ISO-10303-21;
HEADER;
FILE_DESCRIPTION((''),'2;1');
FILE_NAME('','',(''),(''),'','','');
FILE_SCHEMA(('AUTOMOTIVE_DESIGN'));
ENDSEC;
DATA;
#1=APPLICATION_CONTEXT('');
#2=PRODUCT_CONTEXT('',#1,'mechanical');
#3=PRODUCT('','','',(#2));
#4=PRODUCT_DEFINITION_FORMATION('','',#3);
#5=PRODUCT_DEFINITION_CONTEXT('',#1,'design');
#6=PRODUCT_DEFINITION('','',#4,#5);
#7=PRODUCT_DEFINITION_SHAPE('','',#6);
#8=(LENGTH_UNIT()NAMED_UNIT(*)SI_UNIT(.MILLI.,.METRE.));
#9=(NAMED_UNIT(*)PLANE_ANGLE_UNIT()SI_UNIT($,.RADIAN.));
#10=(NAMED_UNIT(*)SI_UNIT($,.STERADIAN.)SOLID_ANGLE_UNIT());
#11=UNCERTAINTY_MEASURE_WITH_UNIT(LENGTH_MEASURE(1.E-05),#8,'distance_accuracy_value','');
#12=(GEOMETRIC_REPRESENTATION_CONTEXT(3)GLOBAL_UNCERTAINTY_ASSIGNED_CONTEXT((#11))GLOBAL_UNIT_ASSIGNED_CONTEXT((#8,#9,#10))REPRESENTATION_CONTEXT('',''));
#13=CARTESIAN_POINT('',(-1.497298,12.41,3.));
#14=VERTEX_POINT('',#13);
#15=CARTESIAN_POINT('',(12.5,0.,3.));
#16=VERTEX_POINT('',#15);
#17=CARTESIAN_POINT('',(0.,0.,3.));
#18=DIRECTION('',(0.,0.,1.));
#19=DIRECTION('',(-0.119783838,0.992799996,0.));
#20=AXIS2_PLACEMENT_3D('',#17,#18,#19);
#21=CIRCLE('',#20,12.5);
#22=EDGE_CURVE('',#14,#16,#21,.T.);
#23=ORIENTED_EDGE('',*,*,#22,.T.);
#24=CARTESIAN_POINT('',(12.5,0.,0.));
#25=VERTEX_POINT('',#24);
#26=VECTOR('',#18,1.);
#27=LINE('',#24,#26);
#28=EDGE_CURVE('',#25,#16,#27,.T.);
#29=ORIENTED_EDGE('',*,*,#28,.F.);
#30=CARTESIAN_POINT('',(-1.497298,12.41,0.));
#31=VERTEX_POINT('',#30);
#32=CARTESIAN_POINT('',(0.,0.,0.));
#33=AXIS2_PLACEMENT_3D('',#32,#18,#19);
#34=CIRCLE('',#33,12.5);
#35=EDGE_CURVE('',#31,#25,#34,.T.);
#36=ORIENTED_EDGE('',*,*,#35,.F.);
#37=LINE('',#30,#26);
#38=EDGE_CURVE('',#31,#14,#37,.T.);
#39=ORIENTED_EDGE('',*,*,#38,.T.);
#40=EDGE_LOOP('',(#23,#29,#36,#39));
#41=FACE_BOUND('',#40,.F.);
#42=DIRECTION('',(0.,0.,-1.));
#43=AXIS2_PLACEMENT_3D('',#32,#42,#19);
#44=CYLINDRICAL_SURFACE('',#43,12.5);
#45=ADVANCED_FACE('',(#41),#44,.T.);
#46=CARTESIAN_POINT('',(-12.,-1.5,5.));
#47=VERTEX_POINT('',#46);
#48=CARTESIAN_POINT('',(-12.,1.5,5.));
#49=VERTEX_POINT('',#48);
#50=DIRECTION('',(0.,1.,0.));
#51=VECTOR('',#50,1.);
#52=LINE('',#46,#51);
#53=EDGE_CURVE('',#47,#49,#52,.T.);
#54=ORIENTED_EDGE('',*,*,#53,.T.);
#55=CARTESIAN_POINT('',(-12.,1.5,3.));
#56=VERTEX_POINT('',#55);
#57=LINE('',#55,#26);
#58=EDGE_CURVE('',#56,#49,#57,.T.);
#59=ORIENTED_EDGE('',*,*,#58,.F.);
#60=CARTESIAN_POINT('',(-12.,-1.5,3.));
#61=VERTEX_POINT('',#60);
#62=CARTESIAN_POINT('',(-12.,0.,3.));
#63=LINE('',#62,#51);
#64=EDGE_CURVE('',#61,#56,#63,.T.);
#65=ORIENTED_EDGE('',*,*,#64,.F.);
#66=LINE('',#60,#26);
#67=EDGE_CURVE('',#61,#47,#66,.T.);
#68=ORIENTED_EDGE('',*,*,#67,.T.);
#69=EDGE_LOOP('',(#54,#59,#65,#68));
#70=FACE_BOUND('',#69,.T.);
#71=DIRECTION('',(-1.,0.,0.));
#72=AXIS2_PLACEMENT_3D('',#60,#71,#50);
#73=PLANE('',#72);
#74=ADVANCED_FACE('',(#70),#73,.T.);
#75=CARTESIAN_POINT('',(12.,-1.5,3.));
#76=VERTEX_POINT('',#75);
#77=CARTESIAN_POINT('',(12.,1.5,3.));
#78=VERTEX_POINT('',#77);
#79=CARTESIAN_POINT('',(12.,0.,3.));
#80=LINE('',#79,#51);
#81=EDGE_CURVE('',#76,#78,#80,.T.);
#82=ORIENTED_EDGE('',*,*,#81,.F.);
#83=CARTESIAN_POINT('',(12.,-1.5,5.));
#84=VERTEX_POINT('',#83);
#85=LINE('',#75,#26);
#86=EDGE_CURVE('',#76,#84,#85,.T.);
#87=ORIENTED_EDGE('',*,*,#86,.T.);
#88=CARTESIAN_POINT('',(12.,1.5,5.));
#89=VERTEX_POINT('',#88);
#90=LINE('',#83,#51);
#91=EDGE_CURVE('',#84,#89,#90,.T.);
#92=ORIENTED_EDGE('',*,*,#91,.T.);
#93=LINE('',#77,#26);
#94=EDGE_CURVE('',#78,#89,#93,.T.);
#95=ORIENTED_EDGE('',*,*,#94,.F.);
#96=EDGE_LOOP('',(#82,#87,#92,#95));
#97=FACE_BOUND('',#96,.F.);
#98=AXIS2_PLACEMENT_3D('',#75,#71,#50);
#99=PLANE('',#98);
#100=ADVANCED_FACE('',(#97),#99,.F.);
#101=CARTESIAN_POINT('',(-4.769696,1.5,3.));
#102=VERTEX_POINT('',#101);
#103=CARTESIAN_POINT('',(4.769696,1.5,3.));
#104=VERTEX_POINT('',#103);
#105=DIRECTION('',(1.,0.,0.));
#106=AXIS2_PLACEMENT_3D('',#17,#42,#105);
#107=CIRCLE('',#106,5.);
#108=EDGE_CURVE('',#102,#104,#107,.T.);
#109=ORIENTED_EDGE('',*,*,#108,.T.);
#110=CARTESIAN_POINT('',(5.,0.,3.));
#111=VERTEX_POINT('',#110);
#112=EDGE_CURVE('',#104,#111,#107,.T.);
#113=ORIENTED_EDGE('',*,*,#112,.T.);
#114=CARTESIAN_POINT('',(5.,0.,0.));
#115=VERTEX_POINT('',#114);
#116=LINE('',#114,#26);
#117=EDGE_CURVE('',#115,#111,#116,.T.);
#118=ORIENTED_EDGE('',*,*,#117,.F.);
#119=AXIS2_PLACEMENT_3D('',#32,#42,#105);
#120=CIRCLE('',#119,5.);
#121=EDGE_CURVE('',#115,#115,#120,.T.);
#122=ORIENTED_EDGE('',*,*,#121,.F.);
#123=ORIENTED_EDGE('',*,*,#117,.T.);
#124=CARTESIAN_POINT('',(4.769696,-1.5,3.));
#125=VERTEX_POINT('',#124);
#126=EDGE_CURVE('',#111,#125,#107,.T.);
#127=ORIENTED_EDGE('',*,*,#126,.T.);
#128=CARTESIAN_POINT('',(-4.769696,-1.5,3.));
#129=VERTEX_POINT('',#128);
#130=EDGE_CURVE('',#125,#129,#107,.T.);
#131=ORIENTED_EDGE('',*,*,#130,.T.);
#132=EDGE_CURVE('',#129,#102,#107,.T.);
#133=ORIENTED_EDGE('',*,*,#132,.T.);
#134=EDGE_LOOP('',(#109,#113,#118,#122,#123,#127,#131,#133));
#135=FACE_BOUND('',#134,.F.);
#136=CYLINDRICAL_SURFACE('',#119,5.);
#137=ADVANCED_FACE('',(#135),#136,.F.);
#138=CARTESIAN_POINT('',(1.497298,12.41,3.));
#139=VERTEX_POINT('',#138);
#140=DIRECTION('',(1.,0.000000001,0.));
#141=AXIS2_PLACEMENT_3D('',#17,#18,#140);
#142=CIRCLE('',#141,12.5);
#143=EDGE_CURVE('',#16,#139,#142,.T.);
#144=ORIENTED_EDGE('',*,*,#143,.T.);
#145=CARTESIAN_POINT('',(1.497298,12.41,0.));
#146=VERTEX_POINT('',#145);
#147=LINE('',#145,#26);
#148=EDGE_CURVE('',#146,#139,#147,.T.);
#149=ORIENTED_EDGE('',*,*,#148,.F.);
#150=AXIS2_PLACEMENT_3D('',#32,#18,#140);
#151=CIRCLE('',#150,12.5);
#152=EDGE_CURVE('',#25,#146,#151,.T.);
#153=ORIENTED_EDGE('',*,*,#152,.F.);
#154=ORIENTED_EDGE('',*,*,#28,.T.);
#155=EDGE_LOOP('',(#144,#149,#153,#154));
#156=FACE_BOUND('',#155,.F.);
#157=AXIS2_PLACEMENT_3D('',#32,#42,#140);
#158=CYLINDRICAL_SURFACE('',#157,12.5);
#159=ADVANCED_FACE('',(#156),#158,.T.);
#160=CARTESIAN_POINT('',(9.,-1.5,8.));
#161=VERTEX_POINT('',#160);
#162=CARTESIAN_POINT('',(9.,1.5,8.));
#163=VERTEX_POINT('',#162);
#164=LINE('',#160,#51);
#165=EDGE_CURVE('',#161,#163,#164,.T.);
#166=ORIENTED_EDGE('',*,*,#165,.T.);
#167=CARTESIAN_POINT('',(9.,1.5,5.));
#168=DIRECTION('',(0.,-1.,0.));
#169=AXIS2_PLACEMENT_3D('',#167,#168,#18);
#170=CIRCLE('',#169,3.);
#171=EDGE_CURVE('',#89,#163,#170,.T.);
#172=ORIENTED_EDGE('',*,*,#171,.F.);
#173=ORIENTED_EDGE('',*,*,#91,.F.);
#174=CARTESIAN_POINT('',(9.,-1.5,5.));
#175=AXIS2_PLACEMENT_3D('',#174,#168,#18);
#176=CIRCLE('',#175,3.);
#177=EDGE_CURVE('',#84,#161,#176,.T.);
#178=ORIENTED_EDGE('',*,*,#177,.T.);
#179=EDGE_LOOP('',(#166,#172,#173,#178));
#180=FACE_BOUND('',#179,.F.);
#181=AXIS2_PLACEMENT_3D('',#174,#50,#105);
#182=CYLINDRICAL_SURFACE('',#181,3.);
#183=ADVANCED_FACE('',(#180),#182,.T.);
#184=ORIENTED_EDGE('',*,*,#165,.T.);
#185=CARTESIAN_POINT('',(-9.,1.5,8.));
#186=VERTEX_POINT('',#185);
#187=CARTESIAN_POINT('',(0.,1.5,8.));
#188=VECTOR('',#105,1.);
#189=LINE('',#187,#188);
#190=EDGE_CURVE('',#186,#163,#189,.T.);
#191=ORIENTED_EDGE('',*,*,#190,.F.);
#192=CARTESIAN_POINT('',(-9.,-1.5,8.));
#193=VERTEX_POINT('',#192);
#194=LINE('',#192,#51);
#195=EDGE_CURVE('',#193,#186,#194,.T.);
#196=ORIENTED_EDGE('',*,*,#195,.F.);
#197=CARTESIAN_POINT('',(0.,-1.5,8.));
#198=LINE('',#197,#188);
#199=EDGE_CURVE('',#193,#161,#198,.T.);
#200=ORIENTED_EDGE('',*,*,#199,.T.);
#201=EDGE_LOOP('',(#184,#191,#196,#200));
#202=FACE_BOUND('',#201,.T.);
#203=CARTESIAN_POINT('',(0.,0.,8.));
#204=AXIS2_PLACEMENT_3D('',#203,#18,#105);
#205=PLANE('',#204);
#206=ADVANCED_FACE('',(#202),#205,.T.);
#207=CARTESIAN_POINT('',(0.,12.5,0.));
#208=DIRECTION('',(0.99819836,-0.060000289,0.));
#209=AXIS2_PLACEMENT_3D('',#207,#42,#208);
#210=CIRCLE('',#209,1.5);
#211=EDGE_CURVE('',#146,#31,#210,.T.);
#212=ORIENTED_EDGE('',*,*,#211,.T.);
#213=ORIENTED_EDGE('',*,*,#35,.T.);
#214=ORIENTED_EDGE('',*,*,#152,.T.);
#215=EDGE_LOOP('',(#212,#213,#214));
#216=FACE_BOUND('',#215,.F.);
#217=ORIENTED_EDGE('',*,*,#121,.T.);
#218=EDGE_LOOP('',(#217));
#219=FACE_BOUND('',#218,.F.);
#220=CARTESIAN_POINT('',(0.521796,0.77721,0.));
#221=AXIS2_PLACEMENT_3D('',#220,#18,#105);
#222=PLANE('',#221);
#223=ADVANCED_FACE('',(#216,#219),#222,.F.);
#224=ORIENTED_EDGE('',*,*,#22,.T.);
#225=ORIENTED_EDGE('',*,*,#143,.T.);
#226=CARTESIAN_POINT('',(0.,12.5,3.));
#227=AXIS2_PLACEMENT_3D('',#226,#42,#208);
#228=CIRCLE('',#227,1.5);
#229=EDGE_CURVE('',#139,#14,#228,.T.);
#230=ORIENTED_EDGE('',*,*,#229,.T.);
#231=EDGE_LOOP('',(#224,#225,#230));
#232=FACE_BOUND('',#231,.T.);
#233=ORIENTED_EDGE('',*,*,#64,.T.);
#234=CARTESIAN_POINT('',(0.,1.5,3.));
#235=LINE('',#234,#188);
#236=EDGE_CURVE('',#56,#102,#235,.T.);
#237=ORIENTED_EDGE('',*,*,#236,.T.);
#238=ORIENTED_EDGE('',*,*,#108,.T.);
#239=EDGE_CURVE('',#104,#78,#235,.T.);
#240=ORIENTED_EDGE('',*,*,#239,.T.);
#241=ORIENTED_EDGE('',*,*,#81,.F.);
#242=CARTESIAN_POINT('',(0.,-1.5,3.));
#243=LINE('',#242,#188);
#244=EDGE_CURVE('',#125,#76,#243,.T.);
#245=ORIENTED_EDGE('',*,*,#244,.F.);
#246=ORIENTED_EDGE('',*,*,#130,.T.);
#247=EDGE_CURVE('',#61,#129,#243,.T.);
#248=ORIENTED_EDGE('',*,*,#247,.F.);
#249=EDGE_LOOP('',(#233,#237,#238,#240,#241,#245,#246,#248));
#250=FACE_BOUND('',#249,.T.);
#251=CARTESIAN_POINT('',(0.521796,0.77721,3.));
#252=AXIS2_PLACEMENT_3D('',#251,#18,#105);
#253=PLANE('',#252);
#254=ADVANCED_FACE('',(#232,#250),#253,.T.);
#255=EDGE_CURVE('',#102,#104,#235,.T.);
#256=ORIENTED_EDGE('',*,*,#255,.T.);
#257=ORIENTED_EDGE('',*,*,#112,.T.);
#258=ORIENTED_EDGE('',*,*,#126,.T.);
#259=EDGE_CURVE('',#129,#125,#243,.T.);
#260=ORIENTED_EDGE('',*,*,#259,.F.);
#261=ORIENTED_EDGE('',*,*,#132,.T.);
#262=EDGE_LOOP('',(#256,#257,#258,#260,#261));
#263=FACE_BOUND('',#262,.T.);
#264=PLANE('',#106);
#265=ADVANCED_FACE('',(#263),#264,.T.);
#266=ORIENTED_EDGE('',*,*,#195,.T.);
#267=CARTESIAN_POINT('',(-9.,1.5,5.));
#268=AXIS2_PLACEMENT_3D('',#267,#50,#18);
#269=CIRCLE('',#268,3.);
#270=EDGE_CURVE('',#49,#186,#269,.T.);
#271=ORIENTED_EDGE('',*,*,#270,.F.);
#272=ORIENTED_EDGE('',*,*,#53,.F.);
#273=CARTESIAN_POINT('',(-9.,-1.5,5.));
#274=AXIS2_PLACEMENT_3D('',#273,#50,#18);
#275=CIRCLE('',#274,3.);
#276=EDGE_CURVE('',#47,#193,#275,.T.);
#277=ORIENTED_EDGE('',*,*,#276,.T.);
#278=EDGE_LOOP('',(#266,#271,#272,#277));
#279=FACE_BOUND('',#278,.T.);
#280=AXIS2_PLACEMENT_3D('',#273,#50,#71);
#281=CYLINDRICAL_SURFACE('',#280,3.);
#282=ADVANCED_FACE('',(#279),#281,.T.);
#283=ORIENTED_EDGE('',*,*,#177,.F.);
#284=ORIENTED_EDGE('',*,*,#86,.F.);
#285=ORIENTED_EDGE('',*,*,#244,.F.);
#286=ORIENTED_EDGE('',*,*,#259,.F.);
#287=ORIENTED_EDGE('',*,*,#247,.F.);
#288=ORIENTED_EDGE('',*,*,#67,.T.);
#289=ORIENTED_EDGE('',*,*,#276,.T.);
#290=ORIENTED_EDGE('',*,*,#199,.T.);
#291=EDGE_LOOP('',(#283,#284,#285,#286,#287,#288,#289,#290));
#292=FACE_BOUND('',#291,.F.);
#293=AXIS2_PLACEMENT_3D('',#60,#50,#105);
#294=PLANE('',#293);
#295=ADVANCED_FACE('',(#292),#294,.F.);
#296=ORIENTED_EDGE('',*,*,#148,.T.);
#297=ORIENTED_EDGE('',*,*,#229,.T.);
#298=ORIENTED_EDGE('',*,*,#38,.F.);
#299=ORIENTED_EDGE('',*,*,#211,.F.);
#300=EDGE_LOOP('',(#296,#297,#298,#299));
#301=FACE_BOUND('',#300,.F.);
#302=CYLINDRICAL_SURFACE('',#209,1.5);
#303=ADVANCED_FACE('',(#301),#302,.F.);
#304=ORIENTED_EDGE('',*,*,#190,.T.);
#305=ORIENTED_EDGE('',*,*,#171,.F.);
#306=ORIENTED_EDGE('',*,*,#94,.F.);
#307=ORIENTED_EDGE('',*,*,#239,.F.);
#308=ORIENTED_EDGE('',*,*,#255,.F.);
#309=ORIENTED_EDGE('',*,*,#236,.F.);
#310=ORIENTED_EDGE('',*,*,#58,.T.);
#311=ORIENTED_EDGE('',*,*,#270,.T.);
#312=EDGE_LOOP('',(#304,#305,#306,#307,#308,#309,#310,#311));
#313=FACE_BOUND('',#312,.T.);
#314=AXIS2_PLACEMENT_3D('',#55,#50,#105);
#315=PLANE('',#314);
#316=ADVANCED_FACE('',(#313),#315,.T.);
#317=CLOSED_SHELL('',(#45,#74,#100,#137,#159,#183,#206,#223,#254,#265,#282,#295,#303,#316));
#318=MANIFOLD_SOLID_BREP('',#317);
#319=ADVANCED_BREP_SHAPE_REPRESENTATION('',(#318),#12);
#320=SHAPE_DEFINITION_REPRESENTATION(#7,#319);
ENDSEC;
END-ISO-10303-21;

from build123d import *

# Parameters (mm, degrees)
F1_DEPTH = 3
F2_W     = 24
F2_H     = 3
F3_DEPTH = 5
F4_R     = 5
F5_DEPTH = 3
F6_R     = 3


with BuildPart() as f1:
    # F0 (on Top) → F1 (new body)
    with BuildSketch(Plane.XY):
        with BuildLine():
            ThreePointArc((-1.497298, 12.41), (-8.29258, -9.353241), (12.5, 0))
            ThreePointArc((12.5, 0), (9.353241, 8.29258), (1.497298, 12.41))
            ThreePointArc((1.497298, 12.41), (0, 11), (-1.497298, 12.41))
        make_face()
    extrude(amount=F1_DEPTH)

    # F2 (on face) → F3 (join)
    with BuildSketch(Plane.XY.offset(3)):
        Rectangle(F2_W, F2_H)
    extrude(amount=F3_DEPTH)

    # F4 (on face) → F5 (cut)
    with BuildSketch(Plane(origin=(0, 0, 0), x_dir=(1, 0, 0), z_dir=(0, 0, -1))):
        Circle(F4_R)
    extrude(amount=-F5_DEPTH, mode=Mode.SUBTRACT)

    # F6
    f6_edges = [f1.edges().sort_by_distance(p)[0] for p in [
        (12, 0, 8),
        (-12, 0, 8),
    ]]
    fillet(f6_edges, radius=F6_R)


solid = f1.part
